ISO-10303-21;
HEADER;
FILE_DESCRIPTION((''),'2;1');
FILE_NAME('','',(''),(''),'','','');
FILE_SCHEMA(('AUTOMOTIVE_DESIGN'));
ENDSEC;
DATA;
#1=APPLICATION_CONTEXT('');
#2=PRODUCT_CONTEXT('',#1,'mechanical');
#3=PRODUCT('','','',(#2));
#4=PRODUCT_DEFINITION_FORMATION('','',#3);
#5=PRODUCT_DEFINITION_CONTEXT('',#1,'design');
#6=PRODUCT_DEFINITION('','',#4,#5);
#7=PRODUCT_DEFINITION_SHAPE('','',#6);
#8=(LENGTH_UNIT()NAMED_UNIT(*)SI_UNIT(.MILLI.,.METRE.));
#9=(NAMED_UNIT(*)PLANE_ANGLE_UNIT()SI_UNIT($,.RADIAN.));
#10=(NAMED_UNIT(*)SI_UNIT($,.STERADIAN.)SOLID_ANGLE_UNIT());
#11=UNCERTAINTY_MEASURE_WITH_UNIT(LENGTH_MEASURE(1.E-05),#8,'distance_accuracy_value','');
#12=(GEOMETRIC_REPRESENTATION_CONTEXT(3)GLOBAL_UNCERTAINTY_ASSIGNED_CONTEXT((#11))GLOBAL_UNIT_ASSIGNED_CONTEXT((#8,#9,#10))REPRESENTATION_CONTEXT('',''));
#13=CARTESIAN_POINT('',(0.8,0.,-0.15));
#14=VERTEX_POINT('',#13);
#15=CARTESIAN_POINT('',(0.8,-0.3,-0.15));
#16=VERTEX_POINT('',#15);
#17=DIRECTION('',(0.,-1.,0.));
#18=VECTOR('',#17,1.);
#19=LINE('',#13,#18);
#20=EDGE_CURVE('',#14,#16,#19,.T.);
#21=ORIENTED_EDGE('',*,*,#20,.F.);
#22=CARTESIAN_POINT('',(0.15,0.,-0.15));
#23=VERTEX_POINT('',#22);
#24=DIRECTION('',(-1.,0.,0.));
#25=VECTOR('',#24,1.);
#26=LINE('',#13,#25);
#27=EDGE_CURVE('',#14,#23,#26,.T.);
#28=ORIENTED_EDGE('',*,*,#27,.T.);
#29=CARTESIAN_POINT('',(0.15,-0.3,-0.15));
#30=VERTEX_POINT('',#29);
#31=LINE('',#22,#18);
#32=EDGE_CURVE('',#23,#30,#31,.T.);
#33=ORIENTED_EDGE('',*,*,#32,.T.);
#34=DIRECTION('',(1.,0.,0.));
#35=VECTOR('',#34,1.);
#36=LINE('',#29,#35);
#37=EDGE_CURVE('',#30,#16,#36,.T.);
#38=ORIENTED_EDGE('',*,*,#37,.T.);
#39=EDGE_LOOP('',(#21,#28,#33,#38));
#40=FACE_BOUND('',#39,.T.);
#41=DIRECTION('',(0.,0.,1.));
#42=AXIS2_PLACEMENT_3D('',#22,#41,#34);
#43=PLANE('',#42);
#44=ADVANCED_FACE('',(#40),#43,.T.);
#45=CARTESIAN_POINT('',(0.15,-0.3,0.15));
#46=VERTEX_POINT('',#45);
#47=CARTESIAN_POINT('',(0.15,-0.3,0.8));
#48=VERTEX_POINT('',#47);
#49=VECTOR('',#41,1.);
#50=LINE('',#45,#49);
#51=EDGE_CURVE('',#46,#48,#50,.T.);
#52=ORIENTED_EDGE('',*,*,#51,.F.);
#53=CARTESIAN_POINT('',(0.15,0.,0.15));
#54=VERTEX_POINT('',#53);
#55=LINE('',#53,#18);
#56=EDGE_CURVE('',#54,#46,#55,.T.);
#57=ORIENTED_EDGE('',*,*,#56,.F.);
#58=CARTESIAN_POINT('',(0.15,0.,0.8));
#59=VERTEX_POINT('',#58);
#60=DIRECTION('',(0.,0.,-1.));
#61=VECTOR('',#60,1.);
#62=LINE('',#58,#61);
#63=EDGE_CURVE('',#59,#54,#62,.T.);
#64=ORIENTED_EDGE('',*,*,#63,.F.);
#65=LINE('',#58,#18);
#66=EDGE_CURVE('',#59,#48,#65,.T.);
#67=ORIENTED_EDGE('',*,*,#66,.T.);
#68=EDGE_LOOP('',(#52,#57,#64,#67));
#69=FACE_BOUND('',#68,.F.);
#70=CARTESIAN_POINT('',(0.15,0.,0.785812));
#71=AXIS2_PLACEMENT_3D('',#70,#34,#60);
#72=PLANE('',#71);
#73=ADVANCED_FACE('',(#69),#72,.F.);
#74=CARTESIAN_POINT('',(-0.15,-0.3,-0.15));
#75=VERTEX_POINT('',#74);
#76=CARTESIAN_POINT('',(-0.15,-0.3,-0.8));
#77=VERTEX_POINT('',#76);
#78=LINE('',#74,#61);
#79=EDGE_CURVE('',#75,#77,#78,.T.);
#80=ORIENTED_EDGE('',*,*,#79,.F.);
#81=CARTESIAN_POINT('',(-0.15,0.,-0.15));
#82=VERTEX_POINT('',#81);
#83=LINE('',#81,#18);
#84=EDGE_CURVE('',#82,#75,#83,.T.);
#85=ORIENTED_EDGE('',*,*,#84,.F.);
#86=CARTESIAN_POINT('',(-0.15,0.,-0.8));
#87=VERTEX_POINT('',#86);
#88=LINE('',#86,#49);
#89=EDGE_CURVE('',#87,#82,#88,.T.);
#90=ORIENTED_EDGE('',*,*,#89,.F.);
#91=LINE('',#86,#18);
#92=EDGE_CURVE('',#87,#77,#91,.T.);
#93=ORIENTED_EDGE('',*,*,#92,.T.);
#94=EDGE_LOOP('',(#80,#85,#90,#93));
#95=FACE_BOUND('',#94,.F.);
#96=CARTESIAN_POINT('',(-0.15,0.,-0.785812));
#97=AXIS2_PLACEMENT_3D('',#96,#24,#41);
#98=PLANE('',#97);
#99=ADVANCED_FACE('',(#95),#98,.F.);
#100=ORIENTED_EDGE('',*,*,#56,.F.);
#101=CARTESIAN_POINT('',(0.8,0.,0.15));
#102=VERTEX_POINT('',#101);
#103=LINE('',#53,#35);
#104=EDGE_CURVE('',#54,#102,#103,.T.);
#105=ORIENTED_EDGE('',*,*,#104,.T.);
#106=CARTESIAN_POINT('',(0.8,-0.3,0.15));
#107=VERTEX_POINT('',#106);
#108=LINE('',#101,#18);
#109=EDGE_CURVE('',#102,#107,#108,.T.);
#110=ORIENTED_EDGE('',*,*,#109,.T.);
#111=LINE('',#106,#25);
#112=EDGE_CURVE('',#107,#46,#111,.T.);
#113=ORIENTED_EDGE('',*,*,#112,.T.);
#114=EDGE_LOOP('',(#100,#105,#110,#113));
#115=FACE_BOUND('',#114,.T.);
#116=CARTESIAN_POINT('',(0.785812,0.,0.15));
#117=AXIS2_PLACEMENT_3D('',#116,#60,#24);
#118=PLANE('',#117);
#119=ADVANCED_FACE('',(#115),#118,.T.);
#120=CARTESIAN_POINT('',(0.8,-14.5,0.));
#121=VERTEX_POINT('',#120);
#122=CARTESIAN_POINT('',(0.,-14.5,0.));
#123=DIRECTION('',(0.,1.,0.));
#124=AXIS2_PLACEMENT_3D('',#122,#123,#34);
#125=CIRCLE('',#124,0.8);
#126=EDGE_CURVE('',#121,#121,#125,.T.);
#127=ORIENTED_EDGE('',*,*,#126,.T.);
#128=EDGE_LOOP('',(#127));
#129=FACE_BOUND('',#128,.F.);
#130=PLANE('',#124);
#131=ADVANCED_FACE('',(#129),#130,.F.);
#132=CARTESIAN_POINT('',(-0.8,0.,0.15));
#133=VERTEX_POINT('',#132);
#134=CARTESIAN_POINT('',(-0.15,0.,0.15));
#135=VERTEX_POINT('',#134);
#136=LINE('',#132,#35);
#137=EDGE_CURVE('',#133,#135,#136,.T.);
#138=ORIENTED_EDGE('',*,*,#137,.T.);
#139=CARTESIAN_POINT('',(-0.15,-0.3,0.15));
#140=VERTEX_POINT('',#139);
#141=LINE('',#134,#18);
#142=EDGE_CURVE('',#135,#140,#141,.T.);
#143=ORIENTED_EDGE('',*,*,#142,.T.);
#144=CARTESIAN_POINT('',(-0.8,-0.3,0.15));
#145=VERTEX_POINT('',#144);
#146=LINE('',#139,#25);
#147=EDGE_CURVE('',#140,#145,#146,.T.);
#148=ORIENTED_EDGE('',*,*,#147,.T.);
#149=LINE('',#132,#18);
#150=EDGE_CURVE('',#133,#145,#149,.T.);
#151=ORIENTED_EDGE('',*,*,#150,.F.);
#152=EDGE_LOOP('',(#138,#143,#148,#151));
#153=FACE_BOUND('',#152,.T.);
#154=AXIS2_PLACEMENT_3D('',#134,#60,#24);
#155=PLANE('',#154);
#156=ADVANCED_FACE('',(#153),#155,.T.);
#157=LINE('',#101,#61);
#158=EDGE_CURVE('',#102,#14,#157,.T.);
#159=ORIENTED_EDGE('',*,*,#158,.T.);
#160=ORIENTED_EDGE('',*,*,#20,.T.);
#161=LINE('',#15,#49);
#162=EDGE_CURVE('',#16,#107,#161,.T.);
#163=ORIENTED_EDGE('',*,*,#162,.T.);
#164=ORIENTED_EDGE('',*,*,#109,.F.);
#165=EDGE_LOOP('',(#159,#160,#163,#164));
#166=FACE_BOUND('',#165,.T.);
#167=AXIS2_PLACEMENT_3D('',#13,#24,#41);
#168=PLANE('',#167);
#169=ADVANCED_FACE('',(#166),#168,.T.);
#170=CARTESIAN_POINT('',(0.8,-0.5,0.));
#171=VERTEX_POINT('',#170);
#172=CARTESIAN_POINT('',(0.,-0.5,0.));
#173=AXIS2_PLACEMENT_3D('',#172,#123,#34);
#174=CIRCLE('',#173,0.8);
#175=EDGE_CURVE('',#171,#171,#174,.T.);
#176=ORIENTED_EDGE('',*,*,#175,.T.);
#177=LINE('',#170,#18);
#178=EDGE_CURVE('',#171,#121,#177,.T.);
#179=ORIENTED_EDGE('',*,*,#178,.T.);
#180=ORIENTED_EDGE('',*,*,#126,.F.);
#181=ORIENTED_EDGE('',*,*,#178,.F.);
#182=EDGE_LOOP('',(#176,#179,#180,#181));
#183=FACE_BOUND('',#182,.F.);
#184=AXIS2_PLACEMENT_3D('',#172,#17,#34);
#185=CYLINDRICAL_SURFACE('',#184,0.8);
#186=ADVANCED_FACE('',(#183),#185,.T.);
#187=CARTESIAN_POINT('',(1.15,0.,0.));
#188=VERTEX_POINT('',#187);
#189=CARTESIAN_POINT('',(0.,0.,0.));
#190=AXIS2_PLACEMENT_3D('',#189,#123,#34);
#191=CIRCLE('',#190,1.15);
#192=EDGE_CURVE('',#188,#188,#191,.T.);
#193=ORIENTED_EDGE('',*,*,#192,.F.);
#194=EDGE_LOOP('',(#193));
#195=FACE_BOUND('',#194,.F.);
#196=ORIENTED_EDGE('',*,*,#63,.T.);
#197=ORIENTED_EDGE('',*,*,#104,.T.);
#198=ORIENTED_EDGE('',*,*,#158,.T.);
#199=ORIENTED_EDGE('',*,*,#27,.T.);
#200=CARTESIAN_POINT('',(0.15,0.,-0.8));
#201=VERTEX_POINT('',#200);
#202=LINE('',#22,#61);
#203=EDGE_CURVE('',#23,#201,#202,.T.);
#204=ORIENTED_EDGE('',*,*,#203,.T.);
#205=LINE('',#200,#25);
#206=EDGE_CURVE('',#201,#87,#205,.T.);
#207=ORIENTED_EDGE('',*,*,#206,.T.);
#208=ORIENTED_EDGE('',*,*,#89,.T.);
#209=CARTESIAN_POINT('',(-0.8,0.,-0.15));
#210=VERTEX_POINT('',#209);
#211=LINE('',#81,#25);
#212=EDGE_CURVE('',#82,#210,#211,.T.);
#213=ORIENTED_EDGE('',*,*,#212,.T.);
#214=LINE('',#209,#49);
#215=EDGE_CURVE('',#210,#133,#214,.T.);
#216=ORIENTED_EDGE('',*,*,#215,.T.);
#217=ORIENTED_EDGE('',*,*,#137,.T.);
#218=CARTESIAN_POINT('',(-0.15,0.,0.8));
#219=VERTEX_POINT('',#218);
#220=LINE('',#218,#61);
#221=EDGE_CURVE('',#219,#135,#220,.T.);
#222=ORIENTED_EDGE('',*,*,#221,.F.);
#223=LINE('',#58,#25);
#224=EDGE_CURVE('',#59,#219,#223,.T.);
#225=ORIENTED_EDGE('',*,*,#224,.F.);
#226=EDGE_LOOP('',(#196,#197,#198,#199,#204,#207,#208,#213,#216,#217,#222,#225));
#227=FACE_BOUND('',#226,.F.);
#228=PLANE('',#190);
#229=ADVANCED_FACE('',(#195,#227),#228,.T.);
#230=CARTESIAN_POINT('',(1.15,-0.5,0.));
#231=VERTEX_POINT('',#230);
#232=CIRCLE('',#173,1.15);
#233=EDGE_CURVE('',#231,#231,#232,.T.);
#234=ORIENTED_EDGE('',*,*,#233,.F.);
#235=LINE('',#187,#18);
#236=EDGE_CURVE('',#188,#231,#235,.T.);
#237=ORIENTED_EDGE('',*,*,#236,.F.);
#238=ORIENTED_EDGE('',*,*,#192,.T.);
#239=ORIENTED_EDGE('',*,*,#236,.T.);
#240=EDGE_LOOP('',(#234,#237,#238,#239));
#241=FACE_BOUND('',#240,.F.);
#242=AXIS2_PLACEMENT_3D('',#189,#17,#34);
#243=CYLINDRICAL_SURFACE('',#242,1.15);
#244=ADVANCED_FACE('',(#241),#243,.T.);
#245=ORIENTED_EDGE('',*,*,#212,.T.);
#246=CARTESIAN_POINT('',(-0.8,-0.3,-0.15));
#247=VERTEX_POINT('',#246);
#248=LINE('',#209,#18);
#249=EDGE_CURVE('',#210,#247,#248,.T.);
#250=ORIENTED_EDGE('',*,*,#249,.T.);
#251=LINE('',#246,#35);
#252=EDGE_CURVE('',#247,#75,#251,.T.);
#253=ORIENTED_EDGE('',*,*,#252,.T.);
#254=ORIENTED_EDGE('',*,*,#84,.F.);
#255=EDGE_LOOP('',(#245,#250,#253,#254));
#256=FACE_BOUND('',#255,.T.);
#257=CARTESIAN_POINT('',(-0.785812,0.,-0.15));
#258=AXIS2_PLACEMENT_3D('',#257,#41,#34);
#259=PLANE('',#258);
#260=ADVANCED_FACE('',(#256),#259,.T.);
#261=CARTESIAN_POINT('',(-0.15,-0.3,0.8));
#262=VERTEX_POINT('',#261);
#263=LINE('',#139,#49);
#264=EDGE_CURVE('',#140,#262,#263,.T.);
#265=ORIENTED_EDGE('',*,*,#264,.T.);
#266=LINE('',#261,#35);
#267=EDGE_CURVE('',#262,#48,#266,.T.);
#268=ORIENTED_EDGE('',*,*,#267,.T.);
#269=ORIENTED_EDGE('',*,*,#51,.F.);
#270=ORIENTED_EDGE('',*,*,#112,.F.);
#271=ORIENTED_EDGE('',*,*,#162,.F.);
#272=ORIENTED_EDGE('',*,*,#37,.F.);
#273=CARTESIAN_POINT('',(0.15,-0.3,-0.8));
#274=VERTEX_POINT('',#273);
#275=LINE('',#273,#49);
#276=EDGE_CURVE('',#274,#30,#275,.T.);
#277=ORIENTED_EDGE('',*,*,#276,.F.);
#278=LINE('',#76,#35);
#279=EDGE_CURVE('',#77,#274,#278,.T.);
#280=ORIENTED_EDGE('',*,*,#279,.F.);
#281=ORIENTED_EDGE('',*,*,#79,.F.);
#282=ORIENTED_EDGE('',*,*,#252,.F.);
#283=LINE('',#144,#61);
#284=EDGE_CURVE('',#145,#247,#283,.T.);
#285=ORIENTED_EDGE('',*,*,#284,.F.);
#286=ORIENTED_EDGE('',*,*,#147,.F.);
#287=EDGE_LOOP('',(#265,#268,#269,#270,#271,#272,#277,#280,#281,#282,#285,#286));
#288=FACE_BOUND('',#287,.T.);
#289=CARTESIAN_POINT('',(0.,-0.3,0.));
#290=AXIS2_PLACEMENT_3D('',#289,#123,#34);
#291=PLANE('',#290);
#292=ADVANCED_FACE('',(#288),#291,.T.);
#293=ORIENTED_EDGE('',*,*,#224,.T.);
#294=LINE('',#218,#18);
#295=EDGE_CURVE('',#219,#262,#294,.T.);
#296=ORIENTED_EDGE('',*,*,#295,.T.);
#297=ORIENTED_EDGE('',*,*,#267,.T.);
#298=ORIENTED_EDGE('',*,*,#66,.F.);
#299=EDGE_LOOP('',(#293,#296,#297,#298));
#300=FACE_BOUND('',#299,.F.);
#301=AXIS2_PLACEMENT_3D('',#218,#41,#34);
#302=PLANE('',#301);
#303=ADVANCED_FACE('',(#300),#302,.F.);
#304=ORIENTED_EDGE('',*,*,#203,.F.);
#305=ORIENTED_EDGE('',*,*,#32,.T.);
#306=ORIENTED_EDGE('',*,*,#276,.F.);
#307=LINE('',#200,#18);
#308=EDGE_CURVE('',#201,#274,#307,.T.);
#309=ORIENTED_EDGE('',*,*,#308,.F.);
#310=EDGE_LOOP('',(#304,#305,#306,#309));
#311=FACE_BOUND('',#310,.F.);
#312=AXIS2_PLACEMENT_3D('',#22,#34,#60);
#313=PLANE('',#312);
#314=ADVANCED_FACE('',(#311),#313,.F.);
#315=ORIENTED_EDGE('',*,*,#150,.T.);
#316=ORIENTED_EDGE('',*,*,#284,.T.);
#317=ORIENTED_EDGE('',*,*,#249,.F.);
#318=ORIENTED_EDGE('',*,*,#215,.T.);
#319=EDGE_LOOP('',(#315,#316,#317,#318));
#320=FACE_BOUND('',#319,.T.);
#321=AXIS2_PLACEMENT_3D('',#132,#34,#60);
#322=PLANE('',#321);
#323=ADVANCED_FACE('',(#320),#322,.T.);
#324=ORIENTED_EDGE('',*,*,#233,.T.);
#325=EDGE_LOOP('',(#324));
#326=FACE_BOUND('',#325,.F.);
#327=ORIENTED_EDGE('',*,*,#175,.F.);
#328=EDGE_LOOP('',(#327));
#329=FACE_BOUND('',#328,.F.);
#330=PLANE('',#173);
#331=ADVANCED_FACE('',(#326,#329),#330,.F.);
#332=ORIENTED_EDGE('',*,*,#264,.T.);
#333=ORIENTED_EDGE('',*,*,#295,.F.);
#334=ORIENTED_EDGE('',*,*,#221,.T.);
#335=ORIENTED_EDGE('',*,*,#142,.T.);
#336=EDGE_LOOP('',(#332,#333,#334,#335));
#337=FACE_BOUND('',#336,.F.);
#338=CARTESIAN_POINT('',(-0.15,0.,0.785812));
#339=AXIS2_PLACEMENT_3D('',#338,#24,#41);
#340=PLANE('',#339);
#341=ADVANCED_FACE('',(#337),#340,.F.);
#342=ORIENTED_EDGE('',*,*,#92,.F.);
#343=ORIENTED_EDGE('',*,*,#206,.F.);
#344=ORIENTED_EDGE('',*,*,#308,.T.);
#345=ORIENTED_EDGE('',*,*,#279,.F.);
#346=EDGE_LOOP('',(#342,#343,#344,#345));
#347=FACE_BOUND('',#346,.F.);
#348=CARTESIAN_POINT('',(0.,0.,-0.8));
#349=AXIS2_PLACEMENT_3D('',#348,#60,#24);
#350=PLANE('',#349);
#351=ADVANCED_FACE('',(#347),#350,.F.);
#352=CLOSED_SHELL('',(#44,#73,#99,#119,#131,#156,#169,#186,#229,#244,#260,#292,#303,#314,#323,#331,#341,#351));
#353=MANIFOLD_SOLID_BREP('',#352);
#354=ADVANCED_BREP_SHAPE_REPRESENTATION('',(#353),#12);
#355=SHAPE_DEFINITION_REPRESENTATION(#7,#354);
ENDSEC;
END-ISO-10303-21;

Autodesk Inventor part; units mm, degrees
ref_plane "YZ Plane" through (0, 0, 0) normal (1, 0, 0) x (0, 1, 0)
ref_plane "XZ Plane" through (0, 0, 0) normal (0, 1, 0) x (-1, 0, 0)
ref_plane "XY Plane" through (0, 0, 0) normal (0, 0, 1) x (1, 0, 0)
sketch "스케치3" plane through (0, 0, 0) normal (0, 0, 1) x (1, 0, 0)
  line L0 (0, 0) -> (1.15, 0)
  line L1 (1.15, 0) -> (1.15, -0.5)
  line L2 (1.15, -0.5) -> (0.8, -0.5)
  line L3 (0.8, -0.5) -> (0.8, -14.5)
  line L4 (0.8, -14.5) -> (0, -14.5)
  line L5 (0, -14.5) -> (0, 0)
  dimension "d13" = 1.15
  dimension "d14" = 0.5
  dimension "d15" = 14
  dimension "d16" = 0.8
revolve "회전2" add sketch "스케치3" angle 360 about axis through (0, -14.5, 0) along (0, 1, 0)
thread "스레드2" size "M1.6x0.35" class "6g" standard "ISO Metric profile" full length
sketch "스케치4" plane through (0, 0, 0) normal (0, 1, 0) x (1, 0, 0)
  line L0 (-0.15, -0.8) -> (0.15, -0.8)
  line L1 (0.15, -0.8) -> (0.15, 0.8)
  line L2 (0.15, 0.8) -> (-0.15, 0.8)
  line L3 (-0.15, 0.8) -> (-0.15, -0.8)
  line L4 (-0.15, -0.8) -> (0.15, 0.8) construction
  line L5 (0.15, -0.8) -> (-0.15, 0.8) construction
  line L6 (0.8, -0.15) -> (-0.8, -0.15)
  line L7 (-0.8, -0.15) -> (-0.8, 0.15)
  line L8 (-0.8, 0.15) -> (0.8, 0.15)
  line L9 (0.8, 0.15) -> (0.8, -0.15)
  circle A0 centre (0, 0) radius 0.8 projected
  line L10 (0.8, -0.15) -> (-0.8, 0.15) construction
  line L11 (-0.8, -0.15) -> (0.8, 0.15) construction
  dimension "d21" = 0.3
  dimension "d22" = 1.6
  dimension "d23" = 1.6
  dimension "d24" = 0.3
extrude "돌출2" cut sketch "스케치4" against normal blind 0.3 contours L3 A0 L0 | A0 L1 L0 | A0 L3 L6 L1 | L6 A0 L8 L3 | L3 L8 L1 L6 | L6 L7 A0 | L1 L8 A0 L6 | A0 L9 L6 | L3 A0 L1 L8 | L7 L8 A0 | A0 L8 L9 | L3 L2 A0 | A0 L2 L1
properties part number "Screw"
